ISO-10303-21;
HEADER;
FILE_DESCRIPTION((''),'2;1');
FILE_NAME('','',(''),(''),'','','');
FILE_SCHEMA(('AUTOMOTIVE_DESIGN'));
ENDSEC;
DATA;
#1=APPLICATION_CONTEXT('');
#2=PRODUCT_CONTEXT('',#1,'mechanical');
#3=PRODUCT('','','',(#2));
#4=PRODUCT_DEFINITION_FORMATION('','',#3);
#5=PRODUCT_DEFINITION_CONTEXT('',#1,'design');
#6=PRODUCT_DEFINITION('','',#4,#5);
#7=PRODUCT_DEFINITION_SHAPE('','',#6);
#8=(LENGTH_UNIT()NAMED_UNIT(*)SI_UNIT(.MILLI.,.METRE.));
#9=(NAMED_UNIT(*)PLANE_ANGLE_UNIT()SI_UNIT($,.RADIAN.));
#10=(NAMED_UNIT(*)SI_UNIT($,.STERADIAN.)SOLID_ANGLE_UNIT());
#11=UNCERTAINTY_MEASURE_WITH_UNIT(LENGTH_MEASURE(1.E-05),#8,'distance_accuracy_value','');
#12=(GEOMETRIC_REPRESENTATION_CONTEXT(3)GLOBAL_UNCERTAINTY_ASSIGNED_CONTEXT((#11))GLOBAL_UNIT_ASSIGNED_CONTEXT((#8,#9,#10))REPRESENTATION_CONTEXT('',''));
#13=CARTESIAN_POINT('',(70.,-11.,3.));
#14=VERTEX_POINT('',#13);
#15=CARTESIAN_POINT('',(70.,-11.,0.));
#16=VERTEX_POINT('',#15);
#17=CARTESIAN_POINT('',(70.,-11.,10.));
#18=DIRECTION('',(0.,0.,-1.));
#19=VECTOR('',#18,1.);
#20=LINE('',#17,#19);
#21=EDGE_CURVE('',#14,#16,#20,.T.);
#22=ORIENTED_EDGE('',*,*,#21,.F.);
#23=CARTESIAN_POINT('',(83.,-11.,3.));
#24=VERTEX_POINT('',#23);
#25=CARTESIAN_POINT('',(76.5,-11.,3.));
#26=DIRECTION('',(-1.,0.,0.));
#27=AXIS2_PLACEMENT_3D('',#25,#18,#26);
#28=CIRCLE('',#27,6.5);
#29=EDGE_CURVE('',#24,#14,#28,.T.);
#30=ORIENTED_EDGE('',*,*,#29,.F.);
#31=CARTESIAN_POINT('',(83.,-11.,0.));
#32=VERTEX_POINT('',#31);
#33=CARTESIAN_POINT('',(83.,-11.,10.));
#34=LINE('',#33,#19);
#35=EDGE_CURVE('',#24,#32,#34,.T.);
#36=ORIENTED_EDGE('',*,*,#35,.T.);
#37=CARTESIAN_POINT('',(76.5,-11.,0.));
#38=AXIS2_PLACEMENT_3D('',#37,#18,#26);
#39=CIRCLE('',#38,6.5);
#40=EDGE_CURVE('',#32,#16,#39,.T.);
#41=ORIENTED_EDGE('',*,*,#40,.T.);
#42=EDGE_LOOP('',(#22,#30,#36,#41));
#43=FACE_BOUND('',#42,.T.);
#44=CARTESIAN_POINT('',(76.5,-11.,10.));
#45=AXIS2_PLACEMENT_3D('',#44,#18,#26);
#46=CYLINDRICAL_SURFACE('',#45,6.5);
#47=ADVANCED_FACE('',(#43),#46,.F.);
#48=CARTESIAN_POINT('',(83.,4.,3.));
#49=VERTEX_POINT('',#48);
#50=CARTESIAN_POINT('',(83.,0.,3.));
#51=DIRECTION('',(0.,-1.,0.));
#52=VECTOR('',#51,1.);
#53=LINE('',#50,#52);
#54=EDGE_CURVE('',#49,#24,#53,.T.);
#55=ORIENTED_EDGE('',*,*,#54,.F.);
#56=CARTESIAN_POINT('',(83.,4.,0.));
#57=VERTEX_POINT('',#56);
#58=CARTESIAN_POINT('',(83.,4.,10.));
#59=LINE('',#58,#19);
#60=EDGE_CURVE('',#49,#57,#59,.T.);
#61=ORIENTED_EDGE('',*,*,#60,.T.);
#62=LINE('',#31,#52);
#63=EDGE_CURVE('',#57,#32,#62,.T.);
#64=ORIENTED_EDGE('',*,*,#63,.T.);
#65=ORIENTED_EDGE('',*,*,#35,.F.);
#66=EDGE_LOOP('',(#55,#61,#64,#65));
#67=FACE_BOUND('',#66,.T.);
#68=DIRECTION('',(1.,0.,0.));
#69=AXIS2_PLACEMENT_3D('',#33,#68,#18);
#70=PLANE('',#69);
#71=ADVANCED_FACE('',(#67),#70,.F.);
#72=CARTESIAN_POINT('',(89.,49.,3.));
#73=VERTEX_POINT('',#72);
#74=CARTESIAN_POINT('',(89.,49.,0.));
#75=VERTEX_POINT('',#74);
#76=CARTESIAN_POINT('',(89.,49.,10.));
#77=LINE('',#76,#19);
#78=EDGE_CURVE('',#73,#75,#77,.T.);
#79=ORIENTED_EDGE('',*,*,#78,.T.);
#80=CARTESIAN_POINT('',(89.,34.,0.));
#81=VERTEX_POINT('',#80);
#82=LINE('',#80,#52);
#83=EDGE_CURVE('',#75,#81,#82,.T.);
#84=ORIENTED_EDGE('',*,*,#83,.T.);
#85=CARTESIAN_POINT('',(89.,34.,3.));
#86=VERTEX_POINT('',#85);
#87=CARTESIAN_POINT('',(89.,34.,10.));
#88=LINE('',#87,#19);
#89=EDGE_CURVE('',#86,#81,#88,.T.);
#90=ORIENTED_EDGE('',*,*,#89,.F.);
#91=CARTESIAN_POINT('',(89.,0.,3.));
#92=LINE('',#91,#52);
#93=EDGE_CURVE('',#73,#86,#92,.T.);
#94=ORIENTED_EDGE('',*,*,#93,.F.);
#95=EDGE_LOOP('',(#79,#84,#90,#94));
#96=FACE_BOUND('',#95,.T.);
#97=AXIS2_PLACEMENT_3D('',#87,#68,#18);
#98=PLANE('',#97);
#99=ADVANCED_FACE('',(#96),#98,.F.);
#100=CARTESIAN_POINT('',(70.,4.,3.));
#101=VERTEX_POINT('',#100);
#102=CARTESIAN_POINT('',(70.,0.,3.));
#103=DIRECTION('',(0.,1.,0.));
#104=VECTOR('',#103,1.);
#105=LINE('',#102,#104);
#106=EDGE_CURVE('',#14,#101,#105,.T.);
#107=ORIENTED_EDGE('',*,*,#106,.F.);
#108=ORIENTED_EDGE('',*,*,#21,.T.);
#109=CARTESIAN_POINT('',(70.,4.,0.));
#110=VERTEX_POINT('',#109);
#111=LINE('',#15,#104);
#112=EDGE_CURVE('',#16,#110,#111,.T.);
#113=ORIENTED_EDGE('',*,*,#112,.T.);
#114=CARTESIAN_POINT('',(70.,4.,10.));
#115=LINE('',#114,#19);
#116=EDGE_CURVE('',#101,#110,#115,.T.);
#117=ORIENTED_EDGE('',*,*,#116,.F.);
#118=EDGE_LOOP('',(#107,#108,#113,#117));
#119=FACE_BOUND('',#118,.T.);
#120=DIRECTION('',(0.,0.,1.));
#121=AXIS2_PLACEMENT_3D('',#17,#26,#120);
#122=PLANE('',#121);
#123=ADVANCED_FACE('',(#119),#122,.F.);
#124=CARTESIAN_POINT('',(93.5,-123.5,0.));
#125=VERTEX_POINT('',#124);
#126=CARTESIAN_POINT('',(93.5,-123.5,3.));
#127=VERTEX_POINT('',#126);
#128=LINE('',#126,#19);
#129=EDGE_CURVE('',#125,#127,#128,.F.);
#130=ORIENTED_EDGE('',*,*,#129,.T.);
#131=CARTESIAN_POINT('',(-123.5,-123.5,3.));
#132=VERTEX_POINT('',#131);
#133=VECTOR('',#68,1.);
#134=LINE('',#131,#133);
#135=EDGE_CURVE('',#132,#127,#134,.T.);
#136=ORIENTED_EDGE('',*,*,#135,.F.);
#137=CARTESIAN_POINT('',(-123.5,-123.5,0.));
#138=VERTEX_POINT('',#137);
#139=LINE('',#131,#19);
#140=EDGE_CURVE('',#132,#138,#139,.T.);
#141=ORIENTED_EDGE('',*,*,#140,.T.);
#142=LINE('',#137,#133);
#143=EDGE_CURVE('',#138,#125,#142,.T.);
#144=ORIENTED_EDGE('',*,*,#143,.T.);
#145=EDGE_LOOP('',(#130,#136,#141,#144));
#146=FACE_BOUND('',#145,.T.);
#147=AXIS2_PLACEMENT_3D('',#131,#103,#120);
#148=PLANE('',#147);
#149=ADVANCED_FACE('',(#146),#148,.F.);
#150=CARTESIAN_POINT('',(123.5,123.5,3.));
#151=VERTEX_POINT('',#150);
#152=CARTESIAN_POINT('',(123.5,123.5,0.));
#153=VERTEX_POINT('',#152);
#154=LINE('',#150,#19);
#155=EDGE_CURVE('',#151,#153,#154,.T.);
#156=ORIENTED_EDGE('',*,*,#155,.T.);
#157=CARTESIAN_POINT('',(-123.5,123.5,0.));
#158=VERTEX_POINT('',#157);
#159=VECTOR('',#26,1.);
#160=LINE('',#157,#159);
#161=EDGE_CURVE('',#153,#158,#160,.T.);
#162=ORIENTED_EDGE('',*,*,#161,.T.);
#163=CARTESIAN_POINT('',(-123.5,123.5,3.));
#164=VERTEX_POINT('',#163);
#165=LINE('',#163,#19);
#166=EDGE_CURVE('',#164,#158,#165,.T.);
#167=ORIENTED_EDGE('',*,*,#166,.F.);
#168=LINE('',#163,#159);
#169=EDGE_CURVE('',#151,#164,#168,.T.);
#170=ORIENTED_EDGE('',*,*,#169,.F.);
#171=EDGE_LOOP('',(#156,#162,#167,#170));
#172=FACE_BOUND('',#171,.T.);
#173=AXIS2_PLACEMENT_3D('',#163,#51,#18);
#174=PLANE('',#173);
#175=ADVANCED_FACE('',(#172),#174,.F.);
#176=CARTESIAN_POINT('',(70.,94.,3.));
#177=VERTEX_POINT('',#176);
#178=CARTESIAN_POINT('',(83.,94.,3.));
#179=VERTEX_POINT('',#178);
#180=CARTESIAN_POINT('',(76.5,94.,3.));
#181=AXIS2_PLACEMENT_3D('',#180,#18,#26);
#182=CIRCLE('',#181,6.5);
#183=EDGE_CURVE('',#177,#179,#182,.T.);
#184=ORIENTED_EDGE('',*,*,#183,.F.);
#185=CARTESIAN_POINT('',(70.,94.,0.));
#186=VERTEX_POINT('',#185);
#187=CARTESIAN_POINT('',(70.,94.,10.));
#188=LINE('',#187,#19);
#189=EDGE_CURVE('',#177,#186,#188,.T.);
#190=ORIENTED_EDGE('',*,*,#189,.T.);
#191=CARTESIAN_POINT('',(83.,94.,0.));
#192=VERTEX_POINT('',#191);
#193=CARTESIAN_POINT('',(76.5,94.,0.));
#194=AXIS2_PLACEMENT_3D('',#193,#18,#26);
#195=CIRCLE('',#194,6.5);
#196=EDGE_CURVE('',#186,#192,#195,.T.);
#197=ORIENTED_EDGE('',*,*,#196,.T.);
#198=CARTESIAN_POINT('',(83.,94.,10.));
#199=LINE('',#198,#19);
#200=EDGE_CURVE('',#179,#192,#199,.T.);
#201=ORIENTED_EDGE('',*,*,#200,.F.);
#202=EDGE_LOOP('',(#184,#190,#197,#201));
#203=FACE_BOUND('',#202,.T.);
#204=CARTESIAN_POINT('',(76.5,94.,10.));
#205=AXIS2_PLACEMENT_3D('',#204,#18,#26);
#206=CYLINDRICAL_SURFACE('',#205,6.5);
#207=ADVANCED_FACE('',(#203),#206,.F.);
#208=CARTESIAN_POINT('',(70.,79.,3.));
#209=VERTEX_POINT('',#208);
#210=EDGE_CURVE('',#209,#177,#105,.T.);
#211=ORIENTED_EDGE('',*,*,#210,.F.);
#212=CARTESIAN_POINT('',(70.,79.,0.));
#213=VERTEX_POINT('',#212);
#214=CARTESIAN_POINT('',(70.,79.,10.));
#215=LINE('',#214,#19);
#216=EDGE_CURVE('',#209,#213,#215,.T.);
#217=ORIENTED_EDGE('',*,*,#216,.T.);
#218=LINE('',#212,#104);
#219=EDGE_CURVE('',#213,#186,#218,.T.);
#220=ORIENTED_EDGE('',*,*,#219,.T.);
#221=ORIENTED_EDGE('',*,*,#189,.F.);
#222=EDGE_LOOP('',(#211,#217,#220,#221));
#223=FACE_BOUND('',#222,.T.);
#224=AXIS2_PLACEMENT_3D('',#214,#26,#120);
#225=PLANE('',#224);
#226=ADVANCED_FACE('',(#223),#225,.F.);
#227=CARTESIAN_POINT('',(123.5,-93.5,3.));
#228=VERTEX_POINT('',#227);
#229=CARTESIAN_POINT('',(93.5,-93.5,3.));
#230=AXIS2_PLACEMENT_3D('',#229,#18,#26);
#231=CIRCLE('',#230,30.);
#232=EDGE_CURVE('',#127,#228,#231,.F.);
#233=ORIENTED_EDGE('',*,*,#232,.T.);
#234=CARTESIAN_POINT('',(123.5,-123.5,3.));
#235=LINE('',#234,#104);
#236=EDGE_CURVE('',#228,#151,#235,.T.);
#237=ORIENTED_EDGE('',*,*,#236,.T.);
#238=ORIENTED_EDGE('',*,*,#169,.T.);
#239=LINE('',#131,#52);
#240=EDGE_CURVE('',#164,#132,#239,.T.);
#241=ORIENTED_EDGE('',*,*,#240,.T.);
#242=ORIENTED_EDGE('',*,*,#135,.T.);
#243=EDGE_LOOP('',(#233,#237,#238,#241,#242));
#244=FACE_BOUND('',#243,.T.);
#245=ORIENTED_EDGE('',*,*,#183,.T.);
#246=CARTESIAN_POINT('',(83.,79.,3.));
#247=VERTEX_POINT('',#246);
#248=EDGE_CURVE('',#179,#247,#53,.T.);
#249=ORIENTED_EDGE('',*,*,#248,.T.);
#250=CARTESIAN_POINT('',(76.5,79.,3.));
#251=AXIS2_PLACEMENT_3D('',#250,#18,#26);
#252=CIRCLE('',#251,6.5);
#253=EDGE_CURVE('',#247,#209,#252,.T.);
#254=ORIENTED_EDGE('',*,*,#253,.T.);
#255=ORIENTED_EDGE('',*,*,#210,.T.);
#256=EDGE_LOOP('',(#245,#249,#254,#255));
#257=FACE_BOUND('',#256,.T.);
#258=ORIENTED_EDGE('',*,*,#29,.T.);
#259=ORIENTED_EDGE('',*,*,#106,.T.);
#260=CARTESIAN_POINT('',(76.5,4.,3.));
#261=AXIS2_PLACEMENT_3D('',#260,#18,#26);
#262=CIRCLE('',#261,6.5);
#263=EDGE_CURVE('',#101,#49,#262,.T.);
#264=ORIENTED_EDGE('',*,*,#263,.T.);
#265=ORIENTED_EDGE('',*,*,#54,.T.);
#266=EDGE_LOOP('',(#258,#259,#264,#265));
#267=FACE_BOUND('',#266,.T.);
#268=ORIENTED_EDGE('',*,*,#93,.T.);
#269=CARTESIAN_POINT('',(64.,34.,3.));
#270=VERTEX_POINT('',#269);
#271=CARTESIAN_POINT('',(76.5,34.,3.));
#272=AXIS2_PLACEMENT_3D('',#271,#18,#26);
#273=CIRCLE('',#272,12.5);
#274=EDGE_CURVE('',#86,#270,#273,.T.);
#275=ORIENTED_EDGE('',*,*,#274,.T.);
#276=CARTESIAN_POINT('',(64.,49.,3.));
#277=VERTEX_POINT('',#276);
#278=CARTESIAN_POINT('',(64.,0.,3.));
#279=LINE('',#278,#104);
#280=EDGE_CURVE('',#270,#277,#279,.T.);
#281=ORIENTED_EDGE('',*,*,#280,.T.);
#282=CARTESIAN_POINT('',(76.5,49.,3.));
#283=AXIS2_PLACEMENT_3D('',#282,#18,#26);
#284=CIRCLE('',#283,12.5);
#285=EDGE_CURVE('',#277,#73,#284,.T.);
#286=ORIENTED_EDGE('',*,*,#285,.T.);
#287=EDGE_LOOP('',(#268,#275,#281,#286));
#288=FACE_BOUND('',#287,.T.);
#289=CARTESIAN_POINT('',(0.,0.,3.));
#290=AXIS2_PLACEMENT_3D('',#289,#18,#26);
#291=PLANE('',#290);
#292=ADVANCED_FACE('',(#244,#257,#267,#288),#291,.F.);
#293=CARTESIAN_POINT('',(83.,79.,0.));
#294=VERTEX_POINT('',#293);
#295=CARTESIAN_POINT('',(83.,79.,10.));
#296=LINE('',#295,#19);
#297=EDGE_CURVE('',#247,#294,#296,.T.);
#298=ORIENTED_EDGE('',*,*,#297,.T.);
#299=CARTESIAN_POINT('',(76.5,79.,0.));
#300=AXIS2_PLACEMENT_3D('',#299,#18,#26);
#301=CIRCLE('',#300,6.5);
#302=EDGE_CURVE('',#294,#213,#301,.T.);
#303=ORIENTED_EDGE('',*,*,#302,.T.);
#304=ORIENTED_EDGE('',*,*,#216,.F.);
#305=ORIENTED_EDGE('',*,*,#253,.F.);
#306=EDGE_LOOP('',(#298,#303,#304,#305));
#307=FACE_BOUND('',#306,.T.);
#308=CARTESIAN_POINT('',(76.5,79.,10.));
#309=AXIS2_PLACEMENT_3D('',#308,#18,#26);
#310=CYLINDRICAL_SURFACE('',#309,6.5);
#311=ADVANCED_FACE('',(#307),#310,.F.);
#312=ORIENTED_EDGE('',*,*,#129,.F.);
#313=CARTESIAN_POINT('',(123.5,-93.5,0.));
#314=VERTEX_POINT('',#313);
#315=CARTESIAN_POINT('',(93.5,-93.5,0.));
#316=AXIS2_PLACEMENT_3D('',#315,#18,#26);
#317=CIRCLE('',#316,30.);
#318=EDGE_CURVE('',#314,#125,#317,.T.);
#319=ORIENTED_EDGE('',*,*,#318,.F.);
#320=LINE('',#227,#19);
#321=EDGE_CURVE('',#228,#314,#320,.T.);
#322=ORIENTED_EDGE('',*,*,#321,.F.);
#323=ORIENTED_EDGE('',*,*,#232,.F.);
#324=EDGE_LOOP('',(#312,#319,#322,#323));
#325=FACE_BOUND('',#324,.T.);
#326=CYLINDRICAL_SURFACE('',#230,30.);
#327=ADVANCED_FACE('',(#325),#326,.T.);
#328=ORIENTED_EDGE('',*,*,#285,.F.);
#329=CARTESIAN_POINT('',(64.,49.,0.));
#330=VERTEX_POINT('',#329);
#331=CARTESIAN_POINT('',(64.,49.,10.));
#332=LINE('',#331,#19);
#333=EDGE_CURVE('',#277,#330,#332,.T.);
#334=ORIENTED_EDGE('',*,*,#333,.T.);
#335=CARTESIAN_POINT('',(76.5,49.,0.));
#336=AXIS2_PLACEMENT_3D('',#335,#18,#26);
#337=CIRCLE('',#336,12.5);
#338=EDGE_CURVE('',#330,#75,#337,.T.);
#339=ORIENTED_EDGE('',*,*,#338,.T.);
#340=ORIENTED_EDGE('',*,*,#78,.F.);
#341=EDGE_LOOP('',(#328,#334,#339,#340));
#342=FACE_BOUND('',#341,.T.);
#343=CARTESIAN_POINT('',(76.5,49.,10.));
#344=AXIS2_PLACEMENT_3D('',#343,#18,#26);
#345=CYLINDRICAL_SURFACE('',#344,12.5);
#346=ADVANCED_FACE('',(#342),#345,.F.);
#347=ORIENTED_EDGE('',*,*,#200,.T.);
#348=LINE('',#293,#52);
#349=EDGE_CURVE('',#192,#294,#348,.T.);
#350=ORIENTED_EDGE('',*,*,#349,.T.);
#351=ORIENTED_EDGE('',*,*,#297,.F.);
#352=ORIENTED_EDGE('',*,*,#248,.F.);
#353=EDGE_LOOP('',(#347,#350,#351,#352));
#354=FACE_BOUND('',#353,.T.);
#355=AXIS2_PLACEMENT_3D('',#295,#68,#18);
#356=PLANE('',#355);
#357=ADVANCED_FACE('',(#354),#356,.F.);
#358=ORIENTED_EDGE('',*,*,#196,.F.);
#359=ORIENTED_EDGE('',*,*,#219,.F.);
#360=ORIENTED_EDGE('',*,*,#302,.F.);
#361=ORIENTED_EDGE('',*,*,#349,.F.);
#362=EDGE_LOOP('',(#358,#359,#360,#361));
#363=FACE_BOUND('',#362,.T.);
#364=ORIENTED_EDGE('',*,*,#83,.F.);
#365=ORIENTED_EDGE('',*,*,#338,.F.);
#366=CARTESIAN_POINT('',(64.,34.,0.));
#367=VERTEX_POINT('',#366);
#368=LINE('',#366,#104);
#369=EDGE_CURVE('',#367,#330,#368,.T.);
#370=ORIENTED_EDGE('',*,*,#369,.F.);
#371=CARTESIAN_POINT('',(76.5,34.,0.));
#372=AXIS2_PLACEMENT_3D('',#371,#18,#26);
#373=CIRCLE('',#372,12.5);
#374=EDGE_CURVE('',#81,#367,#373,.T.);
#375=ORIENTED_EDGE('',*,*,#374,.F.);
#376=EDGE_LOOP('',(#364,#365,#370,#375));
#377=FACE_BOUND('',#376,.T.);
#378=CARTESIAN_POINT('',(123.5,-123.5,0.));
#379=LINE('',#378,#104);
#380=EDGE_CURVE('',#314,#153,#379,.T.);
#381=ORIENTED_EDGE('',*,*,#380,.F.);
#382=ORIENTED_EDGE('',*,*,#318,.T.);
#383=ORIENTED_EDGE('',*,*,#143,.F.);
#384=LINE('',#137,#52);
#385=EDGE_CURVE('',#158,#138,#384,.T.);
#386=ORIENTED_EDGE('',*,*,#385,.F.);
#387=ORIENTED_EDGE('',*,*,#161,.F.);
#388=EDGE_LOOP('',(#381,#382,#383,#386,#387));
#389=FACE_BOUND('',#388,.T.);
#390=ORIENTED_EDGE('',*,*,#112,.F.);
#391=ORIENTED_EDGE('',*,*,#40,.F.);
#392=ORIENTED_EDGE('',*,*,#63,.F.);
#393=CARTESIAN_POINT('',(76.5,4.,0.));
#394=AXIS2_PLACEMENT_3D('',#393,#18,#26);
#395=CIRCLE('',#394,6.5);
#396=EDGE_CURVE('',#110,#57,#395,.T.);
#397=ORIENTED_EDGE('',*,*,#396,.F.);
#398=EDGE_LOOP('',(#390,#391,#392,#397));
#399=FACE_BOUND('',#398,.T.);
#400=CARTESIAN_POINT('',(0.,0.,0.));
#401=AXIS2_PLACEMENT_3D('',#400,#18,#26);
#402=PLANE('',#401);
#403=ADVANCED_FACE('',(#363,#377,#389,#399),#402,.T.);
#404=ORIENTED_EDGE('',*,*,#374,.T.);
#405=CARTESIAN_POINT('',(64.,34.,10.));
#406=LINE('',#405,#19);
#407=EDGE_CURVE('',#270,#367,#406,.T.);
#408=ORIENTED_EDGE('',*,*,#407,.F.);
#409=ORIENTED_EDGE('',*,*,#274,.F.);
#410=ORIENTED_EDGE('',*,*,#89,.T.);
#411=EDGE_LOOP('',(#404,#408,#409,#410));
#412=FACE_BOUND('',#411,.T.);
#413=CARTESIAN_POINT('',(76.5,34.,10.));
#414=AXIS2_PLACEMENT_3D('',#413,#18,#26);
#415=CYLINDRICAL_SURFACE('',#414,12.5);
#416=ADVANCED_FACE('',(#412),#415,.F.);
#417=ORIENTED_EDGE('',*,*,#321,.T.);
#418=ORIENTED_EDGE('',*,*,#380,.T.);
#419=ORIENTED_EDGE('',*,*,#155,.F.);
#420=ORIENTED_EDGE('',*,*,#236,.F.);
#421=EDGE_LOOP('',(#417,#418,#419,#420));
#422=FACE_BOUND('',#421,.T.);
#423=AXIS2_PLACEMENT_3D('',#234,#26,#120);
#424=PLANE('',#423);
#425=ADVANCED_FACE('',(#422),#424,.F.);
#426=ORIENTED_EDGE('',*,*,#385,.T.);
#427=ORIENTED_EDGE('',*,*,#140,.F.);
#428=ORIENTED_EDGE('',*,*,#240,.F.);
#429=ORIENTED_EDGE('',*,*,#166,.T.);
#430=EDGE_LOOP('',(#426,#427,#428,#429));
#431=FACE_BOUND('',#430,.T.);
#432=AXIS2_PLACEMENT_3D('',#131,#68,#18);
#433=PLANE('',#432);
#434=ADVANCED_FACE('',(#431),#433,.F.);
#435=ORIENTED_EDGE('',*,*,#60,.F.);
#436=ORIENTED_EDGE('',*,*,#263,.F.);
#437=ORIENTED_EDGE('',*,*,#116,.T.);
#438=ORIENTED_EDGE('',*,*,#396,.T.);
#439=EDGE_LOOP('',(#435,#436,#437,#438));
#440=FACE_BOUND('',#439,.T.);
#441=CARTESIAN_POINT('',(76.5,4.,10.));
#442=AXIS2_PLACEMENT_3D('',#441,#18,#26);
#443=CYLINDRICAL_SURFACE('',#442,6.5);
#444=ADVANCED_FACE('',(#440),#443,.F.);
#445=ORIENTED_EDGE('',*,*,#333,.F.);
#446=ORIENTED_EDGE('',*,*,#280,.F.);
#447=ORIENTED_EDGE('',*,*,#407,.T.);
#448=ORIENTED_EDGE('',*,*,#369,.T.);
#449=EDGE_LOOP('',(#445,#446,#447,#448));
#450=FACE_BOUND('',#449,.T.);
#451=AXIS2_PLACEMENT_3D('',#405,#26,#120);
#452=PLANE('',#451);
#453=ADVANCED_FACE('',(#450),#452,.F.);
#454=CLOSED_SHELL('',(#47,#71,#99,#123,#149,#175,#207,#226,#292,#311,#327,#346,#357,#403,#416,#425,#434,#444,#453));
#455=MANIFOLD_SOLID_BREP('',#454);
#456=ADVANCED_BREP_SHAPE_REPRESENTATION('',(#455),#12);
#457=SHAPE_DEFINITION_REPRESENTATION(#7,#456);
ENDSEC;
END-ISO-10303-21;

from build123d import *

# Parameters (mm, degrees)
ESQUISSE1_W             = 247
ESQUISSE1_H             = 247
ESQUISSE1_R             = 12.5
ESQUISSE1_R_2           = 6.5
BOSS_EXTRU_1_DEPTH      = 3
CONG_1_R                = 30
ENL_V_MAT_EXTRU_2_DEPTH = 10


with BuildPart() as part:
    # Esquisse1 → Boss.-Extru.1 (new body)
    with BuildSketch(Plane.XY):
        Rectangle(ESQUISSE1_W, ESQUISSE1_H)
        with Locations((76.5, 41.5)):
            Circle(ESQUISSE1_R, mode=Mode.SUBTRACT)
        with Locations((76.5, 86.5)):
            Circle(ESQUISSE1_R_2, mode=Mode.SUBTRACT)
        with Locations((76.5, -3.5)):
            Circle(ESQUISSE1_R_2, mode=Mode.SUBTRACT)
    extrude(amount=BOSS_EXTRU_1_DEPTH)

    # Congé1
    cong_1_edges = [part.edges().sort_by_distance(p)[0] for p in [
        (123.5, -123.5, 1.5),
    ]]
    fillet(cong_1_edges, radius=CONG_1_R)

    # Esquisse4 → Enlèv. mat.-Extru.2 (cut)
    with BuildSketch(Plane(origin=(0, 0, 0), x_dir=(-1, 0, 0), z_dir=(0, 0, -1))):
        with BuildLine():
            Line((-83, 79), (-83, 94))
            ThreePointArc((-83, 94), (-76.5, 100.5), (-70, 94))
            Line((-70, 94), (-70, 79))
            ThreePointArc((-70, 79), (-76.5, 72.5), (-83, 79))
        make_face()
        with BuildLine():
            Line((-83, -11), (-83, 4))
            ThreePointArc((-83, 4), (-76.5, 10.5), (-70, 4))
            Line((-70, 4), (-70, -11))
            ThreePointArc((-70, -11), (-76.5, -17.5), (-83, -11))
        make_face()
        with BuildLine():
            Line((-89, 34), (-89, 49))
            ThreePointArc((-89, 49), (-76.5, 61.5), (-64, 49))
            Line((-64, 49), (-64, 34))
            ThreePointArc((-64, 34), (-76.5, 21.5), (-89, 34))
        make_face()
    extrude(amount=-ENL_V_MAT_EXTRU_2_DEPTH, mode=Mode.SUBTRACT)


solid = part.part
